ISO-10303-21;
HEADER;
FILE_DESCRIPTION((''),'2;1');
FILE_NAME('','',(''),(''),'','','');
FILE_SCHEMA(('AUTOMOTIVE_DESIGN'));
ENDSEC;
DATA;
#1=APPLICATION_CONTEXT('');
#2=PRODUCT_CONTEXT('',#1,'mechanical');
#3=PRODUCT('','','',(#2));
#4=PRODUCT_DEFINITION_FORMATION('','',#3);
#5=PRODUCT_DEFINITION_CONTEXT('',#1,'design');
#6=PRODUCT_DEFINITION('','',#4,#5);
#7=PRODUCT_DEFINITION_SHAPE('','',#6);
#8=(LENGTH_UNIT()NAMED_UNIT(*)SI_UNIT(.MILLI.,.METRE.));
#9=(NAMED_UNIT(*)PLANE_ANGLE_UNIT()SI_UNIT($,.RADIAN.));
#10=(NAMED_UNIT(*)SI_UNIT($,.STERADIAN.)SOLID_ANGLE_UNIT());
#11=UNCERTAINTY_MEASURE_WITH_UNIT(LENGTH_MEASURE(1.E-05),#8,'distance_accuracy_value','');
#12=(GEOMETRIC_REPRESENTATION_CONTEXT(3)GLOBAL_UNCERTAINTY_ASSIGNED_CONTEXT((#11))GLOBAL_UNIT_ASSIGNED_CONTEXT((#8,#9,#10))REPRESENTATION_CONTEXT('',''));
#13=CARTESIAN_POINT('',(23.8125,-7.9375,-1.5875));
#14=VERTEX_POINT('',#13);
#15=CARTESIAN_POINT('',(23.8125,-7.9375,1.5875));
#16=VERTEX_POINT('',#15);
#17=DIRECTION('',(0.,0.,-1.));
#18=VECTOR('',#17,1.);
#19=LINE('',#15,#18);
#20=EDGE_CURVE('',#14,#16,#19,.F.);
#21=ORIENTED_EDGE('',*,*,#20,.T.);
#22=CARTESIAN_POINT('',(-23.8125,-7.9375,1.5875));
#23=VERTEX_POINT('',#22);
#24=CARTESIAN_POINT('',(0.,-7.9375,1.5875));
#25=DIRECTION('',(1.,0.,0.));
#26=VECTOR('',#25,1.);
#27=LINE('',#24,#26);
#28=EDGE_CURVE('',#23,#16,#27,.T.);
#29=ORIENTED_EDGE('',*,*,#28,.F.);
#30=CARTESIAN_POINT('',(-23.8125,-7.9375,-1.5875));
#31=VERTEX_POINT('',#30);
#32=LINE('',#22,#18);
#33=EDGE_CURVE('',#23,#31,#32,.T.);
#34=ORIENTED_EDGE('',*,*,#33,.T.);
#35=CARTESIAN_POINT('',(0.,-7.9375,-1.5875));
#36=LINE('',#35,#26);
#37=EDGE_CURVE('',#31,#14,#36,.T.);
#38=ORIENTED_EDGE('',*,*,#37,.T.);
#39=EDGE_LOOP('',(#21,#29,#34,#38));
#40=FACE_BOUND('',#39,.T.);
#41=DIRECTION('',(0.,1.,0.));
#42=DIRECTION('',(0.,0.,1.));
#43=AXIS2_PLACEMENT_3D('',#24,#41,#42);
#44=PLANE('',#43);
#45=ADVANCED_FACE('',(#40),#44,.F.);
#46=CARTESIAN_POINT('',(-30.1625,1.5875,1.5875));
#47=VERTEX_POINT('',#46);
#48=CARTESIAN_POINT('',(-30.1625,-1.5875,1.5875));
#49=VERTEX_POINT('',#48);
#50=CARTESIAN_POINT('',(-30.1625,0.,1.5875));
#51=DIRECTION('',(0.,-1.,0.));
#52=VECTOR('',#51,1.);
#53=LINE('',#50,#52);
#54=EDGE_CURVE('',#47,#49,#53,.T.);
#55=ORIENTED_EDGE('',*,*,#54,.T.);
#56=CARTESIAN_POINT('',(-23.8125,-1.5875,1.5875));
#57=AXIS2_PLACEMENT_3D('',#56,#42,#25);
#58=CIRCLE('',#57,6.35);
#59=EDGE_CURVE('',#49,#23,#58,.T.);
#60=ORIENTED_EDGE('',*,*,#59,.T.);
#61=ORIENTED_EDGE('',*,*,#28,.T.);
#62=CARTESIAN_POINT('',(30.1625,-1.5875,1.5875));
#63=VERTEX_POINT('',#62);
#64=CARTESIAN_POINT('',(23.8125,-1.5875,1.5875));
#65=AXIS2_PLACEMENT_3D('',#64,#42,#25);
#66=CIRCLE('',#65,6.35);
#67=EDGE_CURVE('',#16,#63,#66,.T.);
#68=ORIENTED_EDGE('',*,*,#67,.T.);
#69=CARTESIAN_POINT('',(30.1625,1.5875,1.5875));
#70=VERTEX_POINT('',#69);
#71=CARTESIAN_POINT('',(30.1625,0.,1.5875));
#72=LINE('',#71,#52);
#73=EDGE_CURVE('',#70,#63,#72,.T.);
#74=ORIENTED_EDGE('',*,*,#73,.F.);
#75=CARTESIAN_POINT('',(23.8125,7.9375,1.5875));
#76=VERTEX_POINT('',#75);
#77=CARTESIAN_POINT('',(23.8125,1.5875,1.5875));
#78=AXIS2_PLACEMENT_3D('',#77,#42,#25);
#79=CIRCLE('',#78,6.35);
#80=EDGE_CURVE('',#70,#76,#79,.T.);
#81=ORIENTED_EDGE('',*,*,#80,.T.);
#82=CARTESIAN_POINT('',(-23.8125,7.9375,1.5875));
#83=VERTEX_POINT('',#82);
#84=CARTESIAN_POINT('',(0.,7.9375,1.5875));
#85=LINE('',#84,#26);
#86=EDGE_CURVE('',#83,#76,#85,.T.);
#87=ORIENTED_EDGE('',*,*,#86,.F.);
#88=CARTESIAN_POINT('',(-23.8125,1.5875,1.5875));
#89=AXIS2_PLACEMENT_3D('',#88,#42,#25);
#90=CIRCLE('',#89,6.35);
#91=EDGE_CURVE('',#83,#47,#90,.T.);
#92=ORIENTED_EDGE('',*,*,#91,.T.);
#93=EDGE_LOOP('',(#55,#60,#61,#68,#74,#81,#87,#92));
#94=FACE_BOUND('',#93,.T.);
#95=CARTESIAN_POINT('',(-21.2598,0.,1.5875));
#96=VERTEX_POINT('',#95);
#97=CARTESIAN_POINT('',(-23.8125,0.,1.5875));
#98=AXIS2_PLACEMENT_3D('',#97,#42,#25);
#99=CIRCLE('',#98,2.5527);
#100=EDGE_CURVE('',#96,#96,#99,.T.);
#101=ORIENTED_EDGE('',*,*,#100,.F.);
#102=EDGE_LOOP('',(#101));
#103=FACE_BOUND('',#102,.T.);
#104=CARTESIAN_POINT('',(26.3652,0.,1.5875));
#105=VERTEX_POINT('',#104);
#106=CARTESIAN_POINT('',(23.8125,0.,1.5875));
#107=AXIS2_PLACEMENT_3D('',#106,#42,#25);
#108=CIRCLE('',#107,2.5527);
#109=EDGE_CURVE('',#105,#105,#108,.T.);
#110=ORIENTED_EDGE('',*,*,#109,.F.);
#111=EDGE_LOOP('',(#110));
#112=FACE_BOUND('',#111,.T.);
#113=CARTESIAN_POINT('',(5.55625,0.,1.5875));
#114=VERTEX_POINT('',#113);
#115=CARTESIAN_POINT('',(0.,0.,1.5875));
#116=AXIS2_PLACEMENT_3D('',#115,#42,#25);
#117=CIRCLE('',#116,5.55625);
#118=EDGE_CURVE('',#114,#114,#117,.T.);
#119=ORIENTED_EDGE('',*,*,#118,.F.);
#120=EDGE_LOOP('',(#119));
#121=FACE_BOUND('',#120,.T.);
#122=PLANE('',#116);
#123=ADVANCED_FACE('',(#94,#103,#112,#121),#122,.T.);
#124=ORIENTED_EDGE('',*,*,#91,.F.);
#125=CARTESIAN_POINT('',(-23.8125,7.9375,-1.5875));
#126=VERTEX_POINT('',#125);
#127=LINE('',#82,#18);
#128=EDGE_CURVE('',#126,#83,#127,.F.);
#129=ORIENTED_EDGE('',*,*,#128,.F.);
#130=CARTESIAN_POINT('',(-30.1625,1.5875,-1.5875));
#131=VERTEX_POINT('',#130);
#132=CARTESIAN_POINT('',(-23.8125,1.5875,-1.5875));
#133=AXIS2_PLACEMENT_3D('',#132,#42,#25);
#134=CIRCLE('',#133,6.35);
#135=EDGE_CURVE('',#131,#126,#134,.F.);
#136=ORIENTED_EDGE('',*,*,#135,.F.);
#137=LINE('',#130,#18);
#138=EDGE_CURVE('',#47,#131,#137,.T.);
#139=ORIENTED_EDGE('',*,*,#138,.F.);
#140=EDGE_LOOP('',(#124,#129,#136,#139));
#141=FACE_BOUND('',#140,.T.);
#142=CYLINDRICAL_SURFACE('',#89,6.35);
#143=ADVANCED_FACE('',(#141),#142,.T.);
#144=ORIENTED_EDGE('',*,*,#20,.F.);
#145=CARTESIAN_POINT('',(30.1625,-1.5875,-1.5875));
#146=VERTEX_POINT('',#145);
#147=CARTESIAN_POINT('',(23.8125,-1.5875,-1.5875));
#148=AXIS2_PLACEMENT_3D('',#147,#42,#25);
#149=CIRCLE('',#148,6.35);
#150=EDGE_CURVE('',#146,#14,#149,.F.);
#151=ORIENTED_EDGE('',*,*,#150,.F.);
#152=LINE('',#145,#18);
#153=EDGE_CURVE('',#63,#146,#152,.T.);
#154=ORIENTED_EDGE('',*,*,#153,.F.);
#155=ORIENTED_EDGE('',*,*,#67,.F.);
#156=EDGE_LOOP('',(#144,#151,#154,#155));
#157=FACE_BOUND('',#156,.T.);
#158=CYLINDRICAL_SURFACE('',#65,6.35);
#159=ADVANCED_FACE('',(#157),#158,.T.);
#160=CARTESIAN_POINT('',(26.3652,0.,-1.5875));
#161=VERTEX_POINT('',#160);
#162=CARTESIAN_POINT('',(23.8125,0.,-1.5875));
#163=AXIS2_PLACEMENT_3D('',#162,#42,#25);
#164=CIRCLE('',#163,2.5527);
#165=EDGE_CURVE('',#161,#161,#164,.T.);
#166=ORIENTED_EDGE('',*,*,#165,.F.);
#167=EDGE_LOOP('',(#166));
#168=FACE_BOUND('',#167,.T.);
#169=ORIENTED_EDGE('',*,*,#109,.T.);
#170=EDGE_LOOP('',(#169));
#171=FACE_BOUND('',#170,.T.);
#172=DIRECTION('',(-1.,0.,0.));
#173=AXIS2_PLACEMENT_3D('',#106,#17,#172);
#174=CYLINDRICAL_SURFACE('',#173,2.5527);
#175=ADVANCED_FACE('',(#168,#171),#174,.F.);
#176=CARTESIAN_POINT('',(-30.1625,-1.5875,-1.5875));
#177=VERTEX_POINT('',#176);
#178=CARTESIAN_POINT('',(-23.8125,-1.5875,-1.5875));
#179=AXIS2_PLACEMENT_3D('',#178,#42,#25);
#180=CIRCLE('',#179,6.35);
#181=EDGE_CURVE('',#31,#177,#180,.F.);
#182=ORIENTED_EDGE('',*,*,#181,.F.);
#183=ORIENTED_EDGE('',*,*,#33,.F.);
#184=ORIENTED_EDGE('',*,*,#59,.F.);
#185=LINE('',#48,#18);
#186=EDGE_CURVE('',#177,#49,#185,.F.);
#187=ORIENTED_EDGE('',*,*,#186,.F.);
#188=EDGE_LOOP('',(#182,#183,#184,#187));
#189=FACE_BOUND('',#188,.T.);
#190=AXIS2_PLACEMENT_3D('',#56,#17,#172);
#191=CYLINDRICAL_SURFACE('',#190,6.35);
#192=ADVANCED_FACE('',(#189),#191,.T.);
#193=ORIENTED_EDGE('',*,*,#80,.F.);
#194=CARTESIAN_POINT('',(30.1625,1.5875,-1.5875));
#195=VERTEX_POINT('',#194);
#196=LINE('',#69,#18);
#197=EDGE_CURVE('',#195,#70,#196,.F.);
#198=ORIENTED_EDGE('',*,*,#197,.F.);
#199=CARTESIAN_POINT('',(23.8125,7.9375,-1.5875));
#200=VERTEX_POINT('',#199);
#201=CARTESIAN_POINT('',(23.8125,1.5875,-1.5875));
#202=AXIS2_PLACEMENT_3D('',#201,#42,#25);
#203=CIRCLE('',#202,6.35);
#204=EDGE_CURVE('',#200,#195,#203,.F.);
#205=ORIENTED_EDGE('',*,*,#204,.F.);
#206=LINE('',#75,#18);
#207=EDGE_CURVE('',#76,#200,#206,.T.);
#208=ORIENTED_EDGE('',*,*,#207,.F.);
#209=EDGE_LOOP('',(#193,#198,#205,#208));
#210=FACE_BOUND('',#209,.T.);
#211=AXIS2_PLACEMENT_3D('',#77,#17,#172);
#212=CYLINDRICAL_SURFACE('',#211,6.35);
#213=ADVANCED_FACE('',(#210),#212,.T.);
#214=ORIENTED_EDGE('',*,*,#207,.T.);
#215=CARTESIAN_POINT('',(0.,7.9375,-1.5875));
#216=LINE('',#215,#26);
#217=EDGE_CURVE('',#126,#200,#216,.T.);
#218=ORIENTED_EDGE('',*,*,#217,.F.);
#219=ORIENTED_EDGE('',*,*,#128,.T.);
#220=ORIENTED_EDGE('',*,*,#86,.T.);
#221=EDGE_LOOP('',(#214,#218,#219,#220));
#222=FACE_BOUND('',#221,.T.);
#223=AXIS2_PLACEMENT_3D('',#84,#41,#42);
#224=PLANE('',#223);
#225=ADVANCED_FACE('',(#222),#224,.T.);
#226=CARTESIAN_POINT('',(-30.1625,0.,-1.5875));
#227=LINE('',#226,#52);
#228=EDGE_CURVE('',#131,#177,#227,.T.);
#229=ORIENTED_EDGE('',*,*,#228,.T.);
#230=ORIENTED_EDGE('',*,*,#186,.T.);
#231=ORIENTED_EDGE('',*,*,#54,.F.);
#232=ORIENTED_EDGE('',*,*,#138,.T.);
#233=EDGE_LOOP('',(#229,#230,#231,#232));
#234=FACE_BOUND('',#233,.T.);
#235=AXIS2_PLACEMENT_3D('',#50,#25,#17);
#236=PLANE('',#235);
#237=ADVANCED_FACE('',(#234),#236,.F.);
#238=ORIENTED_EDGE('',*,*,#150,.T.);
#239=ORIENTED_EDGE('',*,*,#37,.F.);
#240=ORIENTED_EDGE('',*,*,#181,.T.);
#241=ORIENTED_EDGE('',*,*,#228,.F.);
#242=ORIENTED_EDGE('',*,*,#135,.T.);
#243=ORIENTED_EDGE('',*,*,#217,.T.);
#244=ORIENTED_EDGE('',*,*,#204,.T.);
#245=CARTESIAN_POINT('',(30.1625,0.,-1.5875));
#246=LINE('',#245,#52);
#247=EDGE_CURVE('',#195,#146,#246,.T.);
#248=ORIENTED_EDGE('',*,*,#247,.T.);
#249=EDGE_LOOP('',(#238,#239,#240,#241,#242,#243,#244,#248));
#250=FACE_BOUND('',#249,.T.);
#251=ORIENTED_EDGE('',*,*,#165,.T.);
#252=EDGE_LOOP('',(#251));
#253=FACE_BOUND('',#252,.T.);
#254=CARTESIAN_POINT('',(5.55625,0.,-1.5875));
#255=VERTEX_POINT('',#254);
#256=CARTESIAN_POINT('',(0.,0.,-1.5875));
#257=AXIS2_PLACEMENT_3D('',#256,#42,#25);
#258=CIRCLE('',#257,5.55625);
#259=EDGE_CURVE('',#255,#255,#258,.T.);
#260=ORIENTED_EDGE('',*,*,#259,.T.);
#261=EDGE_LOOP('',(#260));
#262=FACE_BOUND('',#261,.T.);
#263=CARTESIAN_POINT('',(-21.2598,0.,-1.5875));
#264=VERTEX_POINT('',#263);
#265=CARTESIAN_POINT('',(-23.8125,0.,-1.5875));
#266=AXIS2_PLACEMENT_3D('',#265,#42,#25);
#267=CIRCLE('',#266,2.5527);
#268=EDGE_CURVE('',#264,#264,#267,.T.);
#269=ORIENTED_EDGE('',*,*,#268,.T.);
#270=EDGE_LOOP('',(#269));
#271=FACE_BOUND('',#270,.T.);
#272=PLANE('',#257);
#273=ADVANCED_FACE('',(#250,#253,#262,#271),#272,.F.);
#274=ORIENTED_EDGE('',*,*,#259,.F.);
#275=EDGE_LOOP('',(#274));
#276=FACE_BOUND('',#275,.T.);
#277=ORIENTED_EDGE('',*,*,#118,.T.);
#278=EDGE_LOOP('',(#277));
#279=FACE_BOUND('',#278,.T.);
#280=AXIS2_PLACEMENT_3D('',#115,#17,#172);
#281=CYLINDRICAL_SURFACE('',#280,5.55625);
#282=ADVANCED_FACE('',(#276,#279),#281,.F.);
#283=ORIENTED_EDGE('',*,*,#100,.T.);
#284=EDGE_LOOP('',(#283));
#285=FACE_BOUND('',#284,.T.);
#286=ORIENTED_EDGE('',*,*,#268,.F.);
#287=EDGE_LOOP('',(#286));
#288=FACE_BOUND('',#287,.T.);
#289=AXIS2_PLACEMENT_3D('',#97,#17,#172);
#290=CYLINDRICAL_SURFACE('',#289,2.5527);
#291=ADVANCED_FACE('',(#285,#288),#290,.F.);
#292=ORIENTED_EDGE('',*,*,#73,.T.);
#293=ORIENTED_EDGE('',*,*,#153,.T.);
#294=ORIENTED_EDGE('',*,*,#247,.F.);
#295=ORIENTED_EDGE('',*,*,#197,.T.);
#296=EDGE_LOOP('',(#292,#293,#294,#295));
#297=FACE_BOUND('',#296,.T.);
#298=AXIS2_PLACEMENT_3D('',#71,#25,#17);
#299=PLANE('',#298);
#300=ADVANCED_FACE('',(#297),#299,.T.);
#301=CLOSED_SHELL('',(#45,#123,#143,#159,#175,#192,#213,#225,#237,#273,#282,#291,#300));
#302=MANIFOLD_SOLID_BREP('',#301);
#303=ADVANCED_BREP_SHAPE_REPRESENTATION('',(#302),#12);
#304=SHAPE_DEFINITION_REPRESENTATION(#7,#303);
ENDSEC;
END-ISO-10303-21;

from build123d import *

# Parameters (mm, degrees)
SKETCH1_W           = 60.325
SKETCH1_H           = 15.875
SKETCH1_R           = 5.55625
SKETCH1_R_2         = 2.5527
BOSS_EXTRUDE1_DEPTH = 1.5875
FILLET3_R           = 6.35


with BuildPart() as part:
    # Sketch1 → Boss-Extrude1 (new, symmetric)
    with BuildSketch(Plane.XY):
        Rectangle(SKETCH1_W, SKETCH1_H)
        Circle(SKETCH1_R, mode=Mode.SUBTRACT)
        with Locations((23.8125, 0)):
            Circle(SKETCH1_R_2, mode=Mode.SUBTRACT)
        with Locations((-23.8125, 0)):
            Circle(SKETCH1_R_2, mode=Mode.SUBTRACT)
    extrude(amount=BOSS_EXTRUDE1_DEPTH, both=True)

    # Fillet3
    fillet3_edges = [part.edges().sort_by_distance(p)[0] for p in [
        (30.1625, -7.9375, 0),
        (-30.1625, -7.9375, 0),
        (-30.1625, 7.9375, 0),
        (30.1625, 7.9375, 0),
    ]]
    fillet(fillet3_edges, radius=FILLET3_R)


solid = part.part
